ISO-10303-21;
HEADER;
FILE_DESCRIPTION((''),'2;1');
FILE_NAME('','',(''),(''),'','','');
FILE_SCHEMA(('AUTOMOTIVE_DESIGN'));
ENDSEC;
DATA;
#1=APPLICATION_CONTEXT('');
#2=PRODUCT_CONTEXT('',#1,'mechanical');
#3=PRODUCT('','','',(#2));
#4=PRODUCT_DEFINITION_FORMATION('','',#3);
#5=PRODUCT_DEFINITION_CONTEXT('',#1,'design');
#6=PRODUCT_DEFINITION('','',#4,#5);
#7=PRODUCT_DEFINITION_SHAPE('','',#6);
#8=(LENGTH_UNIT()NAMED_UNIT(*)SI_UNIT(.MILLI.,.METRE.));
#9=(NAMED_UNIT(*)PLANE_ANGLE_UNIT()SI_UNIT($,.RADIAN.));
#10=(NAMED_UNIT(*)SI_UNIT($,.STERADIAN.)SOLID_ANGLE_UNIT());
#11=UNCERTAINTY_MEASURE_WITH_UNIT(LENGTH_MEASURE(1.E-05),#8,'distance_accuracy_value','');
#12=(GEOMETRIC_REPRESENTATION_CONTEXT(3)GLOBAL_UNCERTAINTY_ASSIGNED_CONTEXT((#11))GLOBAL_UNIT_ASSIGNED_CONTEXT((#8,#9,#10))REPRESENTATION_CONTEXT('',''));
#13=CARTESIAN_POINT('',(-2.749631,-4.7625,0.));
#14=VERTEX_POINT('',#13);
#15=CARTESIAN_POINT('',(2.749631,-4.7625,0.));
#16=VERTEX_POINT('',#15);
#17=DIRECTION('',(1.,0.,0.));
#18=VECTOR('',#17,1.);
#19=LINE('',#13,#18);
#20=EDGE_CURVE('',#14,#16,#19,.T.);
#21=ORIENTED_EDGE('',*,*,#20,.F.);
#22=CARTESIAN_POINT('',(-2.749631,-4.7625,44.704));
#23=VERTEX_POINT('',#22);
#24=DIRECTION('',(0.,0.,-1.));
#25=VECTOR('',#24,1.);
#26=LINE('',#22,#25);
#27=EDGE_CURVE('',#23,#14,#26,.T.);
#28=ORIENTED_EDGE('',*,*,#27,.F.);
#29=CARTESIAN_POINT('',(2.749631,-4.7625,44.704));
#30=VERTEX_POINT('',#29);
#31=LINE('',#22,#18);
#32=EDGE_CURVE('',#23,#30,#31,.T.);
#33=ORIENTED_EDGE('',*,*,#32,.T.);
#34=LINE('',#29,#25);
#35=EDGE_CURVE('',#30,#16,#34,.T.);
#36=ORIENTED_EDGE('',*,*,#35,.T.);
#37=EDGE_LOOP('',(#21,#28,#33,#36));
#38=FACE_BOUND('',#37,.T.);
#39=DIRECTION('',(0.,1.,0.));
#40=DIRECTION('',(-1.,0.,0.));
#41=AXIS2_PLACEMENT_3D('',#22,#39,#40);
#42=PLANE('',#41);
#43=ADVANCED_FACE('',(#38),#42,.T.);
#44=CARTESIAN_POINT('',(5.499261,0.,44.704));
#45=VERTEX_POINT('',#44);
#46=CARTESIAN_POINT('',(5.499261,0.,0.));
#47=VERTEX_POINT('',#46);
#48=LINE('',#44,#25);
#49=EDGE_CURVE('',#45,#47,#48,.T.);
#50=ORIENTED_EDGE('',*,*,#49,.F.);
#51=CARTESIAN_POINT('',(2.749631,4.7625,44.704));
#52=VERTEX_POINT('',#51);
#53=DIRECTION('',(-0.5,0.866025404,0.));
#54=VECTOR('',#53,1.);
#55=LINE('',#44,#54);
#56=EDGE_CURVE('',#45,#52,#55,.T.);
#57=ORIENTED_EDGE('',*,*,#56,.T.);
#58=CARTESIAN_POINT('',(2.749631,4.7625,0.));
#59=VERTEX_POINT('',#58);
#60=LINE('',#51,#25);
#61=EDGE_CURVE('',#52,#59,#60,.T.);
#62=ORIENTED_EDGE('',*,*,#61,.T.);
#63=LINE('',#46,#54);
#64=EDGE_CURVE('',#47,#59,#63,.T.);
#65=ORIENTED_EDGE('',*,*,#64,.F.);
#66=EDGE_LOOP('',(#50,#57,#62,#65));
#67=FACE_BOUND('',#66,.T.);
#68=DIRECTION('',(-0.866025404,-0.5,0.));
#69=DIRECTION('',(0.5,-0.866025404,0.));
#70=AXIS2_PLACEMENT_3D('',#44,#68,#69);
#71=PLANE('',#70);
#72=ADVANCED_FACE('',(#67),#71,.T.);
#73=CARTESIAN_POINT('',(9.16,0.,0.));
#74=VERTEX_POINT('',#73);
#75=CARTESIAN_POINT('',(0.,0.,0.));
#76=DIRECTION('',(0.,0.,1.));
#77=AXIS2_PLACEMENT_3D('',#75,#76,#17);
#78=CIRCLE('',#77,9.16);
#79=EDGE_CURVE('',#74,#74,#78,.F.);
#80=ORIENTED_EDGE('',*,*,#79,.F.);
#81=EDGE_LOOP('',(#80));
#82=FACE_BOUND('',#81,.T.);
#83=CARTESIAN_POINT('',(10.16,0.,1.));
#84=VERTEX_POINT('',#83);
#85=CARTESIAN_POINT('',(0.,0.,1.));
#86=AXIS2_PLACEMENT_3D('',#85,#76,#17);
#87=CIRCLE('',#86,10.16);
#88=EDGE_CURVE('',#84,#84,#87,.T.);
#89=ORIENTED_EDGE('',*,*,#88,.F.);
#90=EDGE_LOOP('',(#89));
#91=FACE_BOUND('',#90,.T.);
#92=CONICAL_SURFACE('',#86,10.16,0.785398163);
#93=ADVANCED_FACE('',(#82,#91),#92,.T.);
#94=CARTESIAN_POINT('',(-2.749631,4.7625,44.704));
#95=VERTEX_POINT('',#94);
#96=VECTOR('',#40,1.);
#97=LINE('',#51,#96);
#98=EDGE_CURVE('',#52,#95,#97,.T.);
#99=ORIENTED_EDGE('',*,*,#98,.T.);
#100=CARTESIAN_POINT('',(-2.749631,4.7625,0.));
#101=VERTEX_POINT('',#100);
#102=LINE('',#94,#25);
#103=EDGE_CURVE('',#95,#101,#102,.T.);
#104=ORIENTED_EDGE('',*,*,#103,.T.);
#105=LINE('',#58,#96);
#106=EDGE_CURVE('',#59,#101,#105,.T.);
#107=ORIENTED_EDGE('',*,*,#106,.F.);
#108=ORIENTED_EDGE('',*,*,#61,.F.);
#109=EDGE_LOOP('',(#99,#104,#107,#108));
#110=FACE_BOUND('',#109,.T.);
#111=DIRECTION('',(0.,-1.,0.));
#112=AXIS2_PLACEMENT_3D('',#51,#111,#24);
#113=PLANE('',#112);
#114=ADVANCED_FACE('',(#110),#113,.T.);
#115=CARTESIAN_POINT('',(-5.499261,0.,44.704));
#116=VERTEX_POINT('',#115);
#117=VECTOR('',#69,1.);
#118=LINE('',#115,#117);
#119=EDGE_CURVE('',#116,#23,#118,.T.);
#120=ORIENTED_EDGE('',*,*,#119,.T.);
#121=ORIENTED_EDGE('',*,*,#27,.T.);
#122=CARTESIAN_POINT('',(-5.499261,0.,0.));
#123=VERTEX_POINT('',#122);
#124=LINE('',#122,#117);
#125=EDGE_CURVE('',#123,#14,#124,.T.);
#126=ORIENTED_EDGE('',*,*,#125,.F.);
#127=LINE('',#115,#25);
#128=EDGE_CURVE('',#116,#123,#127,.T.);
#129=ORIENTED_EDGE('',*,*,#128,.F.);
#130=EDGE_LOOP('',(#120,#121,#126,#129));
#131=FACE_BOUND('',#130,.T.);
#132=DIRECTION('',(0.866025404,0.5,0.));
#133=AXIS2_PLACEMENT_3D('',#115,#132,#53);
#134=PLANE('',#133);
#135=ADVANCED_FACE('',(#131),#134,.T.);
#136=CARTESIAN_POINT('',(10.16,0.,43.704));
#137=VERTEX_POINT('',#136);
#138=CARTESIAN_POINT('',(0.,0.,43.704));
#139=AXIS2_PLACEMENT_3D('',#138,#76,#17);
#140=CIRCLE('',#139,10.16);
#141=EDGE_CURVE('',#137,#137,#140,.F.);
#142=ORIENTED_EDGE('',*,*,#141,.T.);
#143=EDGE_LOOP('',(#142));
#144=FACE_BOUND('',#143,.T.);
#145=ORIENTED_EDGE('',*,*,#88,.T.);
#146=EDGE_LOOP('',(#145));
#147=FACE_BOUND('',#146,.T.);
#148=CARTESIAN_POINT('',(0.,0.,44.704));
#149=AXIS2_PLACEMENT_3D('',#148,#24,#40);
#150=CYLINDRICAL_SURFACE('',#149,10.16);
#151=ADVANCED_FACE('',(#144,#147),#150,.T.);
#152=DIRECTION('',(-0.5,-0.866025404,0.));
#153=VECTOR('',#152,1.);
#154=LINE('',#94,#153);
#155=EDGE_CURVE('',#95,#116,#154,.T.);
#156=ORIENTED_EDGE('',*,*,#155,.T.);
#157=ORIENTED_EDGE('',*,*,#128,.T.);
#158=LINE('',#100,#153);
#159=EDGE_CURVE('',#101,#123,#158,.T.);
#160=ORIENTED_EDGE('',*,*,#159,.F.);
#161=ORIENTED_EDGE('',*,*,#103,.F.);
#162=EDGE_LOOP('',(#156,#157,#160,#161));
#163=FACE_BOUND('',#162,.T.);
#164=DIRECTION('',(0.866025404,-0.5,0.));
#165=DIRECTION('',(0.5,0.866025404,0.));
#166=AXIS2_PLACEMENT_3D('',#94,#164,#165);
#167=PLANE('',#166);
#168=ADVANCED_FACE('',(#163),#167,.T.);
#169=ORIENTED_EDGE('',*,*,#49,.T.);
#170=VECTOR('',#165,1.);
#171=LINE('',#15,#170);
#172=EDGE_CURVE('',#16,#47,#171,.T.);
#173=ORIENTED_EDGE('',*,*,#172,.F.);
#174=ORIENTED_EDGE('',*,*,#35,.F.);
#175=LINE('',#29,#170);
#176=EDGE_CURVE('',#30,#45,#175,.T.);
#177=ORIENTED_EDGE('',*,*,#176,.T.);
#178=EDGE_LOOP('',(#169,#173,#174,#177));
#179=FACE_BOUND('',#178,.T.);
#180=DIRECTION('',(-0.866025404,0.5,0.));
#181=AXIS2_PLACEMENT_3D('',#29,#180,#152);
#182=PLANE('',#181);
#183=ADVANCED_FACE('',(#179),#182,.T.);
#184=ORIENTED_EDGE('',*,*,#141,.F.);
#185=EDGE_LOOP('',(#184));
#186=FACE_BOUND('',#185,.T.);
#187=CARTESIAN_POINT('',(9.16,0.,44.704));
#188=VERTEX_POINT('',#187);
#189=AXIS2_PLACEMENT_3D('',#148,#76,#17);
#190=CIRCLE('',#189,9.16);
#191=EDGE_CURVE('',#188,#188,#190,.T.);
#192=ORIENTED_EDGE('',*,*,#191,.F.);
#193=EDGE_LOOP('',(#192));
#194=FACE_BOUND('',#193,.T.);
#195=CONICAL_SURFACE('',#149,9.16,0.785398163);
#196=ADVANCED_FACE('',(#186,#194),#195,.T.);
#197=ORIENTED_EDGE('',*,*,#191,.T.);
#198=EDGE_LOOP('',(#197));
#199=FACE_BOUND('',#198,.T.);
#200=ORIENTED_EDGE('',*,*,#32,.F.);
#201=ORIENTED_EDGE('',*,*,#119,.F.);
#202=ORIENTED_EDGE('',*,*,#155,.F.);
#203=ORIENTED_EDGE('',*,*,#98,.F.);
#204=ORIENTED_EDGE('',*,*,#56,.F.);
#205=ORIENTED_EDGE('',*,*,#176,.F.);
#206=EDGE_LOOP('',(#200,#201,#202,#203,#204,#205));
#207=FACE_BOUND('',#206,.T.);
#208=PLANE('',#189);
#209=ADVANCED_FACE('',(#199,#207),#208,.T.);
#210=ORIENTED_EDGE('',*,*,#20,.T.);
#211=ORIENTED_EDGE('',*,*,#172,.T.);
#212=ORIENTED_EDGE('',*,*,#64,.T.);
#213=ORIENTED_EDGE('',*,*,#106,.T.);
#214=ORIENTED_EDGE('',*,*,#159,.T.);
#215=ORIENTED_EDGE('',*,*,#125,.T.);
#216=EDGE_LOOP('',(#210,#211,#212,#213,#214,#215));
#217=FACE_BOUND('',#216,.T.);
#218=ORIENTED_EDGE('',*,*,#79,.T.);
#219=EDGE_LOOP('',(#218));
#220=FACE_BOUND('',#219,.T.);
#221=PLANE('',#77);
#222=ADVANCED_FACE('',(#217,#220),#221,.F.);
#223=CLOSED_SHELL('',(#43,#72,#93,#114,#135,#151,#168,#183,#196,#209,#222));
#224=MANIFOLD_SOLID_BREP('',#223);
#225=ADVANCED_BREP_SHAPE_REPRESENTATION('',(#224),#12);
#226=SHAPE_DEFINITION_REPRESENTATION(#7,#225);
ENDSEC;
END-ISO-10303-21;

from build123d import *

# Parameters (mm, degrees)
SKETCH1_R           = 10.16
BOSS_EXTRUDE1_DEPTH = 44.704
CHAMFER1_SIZE       = 1


with BuildPart() as part:
    # Sketch1 → Boss-Extrude1 (new body)
    with BuildSketch(Plane.XY):
        Circle(SKETCH1_R)
        Polygon((5.499261314, 0), (2.749630657, 4.7625), (-2.749630657, 4.7625), (-5.499261314, 0), (-2.749630657, -4.7625), (2.749630657, -4.7625), align=None, mode=Mode.SUBTRACT)
    extrude(amount=BOSS_EXTRUDE1_DEPTH)

    # Chamfer1
    chamfer1_edges = [part.edges().sort_by_distance(p)[0] for p in [
        (-10.16, 0, 0),
        (-10.16, 0, 44.704),
    ]]
    chamfer(chamfer1_edges, length=CHAMFER1_SIZE)


solid = part.part
